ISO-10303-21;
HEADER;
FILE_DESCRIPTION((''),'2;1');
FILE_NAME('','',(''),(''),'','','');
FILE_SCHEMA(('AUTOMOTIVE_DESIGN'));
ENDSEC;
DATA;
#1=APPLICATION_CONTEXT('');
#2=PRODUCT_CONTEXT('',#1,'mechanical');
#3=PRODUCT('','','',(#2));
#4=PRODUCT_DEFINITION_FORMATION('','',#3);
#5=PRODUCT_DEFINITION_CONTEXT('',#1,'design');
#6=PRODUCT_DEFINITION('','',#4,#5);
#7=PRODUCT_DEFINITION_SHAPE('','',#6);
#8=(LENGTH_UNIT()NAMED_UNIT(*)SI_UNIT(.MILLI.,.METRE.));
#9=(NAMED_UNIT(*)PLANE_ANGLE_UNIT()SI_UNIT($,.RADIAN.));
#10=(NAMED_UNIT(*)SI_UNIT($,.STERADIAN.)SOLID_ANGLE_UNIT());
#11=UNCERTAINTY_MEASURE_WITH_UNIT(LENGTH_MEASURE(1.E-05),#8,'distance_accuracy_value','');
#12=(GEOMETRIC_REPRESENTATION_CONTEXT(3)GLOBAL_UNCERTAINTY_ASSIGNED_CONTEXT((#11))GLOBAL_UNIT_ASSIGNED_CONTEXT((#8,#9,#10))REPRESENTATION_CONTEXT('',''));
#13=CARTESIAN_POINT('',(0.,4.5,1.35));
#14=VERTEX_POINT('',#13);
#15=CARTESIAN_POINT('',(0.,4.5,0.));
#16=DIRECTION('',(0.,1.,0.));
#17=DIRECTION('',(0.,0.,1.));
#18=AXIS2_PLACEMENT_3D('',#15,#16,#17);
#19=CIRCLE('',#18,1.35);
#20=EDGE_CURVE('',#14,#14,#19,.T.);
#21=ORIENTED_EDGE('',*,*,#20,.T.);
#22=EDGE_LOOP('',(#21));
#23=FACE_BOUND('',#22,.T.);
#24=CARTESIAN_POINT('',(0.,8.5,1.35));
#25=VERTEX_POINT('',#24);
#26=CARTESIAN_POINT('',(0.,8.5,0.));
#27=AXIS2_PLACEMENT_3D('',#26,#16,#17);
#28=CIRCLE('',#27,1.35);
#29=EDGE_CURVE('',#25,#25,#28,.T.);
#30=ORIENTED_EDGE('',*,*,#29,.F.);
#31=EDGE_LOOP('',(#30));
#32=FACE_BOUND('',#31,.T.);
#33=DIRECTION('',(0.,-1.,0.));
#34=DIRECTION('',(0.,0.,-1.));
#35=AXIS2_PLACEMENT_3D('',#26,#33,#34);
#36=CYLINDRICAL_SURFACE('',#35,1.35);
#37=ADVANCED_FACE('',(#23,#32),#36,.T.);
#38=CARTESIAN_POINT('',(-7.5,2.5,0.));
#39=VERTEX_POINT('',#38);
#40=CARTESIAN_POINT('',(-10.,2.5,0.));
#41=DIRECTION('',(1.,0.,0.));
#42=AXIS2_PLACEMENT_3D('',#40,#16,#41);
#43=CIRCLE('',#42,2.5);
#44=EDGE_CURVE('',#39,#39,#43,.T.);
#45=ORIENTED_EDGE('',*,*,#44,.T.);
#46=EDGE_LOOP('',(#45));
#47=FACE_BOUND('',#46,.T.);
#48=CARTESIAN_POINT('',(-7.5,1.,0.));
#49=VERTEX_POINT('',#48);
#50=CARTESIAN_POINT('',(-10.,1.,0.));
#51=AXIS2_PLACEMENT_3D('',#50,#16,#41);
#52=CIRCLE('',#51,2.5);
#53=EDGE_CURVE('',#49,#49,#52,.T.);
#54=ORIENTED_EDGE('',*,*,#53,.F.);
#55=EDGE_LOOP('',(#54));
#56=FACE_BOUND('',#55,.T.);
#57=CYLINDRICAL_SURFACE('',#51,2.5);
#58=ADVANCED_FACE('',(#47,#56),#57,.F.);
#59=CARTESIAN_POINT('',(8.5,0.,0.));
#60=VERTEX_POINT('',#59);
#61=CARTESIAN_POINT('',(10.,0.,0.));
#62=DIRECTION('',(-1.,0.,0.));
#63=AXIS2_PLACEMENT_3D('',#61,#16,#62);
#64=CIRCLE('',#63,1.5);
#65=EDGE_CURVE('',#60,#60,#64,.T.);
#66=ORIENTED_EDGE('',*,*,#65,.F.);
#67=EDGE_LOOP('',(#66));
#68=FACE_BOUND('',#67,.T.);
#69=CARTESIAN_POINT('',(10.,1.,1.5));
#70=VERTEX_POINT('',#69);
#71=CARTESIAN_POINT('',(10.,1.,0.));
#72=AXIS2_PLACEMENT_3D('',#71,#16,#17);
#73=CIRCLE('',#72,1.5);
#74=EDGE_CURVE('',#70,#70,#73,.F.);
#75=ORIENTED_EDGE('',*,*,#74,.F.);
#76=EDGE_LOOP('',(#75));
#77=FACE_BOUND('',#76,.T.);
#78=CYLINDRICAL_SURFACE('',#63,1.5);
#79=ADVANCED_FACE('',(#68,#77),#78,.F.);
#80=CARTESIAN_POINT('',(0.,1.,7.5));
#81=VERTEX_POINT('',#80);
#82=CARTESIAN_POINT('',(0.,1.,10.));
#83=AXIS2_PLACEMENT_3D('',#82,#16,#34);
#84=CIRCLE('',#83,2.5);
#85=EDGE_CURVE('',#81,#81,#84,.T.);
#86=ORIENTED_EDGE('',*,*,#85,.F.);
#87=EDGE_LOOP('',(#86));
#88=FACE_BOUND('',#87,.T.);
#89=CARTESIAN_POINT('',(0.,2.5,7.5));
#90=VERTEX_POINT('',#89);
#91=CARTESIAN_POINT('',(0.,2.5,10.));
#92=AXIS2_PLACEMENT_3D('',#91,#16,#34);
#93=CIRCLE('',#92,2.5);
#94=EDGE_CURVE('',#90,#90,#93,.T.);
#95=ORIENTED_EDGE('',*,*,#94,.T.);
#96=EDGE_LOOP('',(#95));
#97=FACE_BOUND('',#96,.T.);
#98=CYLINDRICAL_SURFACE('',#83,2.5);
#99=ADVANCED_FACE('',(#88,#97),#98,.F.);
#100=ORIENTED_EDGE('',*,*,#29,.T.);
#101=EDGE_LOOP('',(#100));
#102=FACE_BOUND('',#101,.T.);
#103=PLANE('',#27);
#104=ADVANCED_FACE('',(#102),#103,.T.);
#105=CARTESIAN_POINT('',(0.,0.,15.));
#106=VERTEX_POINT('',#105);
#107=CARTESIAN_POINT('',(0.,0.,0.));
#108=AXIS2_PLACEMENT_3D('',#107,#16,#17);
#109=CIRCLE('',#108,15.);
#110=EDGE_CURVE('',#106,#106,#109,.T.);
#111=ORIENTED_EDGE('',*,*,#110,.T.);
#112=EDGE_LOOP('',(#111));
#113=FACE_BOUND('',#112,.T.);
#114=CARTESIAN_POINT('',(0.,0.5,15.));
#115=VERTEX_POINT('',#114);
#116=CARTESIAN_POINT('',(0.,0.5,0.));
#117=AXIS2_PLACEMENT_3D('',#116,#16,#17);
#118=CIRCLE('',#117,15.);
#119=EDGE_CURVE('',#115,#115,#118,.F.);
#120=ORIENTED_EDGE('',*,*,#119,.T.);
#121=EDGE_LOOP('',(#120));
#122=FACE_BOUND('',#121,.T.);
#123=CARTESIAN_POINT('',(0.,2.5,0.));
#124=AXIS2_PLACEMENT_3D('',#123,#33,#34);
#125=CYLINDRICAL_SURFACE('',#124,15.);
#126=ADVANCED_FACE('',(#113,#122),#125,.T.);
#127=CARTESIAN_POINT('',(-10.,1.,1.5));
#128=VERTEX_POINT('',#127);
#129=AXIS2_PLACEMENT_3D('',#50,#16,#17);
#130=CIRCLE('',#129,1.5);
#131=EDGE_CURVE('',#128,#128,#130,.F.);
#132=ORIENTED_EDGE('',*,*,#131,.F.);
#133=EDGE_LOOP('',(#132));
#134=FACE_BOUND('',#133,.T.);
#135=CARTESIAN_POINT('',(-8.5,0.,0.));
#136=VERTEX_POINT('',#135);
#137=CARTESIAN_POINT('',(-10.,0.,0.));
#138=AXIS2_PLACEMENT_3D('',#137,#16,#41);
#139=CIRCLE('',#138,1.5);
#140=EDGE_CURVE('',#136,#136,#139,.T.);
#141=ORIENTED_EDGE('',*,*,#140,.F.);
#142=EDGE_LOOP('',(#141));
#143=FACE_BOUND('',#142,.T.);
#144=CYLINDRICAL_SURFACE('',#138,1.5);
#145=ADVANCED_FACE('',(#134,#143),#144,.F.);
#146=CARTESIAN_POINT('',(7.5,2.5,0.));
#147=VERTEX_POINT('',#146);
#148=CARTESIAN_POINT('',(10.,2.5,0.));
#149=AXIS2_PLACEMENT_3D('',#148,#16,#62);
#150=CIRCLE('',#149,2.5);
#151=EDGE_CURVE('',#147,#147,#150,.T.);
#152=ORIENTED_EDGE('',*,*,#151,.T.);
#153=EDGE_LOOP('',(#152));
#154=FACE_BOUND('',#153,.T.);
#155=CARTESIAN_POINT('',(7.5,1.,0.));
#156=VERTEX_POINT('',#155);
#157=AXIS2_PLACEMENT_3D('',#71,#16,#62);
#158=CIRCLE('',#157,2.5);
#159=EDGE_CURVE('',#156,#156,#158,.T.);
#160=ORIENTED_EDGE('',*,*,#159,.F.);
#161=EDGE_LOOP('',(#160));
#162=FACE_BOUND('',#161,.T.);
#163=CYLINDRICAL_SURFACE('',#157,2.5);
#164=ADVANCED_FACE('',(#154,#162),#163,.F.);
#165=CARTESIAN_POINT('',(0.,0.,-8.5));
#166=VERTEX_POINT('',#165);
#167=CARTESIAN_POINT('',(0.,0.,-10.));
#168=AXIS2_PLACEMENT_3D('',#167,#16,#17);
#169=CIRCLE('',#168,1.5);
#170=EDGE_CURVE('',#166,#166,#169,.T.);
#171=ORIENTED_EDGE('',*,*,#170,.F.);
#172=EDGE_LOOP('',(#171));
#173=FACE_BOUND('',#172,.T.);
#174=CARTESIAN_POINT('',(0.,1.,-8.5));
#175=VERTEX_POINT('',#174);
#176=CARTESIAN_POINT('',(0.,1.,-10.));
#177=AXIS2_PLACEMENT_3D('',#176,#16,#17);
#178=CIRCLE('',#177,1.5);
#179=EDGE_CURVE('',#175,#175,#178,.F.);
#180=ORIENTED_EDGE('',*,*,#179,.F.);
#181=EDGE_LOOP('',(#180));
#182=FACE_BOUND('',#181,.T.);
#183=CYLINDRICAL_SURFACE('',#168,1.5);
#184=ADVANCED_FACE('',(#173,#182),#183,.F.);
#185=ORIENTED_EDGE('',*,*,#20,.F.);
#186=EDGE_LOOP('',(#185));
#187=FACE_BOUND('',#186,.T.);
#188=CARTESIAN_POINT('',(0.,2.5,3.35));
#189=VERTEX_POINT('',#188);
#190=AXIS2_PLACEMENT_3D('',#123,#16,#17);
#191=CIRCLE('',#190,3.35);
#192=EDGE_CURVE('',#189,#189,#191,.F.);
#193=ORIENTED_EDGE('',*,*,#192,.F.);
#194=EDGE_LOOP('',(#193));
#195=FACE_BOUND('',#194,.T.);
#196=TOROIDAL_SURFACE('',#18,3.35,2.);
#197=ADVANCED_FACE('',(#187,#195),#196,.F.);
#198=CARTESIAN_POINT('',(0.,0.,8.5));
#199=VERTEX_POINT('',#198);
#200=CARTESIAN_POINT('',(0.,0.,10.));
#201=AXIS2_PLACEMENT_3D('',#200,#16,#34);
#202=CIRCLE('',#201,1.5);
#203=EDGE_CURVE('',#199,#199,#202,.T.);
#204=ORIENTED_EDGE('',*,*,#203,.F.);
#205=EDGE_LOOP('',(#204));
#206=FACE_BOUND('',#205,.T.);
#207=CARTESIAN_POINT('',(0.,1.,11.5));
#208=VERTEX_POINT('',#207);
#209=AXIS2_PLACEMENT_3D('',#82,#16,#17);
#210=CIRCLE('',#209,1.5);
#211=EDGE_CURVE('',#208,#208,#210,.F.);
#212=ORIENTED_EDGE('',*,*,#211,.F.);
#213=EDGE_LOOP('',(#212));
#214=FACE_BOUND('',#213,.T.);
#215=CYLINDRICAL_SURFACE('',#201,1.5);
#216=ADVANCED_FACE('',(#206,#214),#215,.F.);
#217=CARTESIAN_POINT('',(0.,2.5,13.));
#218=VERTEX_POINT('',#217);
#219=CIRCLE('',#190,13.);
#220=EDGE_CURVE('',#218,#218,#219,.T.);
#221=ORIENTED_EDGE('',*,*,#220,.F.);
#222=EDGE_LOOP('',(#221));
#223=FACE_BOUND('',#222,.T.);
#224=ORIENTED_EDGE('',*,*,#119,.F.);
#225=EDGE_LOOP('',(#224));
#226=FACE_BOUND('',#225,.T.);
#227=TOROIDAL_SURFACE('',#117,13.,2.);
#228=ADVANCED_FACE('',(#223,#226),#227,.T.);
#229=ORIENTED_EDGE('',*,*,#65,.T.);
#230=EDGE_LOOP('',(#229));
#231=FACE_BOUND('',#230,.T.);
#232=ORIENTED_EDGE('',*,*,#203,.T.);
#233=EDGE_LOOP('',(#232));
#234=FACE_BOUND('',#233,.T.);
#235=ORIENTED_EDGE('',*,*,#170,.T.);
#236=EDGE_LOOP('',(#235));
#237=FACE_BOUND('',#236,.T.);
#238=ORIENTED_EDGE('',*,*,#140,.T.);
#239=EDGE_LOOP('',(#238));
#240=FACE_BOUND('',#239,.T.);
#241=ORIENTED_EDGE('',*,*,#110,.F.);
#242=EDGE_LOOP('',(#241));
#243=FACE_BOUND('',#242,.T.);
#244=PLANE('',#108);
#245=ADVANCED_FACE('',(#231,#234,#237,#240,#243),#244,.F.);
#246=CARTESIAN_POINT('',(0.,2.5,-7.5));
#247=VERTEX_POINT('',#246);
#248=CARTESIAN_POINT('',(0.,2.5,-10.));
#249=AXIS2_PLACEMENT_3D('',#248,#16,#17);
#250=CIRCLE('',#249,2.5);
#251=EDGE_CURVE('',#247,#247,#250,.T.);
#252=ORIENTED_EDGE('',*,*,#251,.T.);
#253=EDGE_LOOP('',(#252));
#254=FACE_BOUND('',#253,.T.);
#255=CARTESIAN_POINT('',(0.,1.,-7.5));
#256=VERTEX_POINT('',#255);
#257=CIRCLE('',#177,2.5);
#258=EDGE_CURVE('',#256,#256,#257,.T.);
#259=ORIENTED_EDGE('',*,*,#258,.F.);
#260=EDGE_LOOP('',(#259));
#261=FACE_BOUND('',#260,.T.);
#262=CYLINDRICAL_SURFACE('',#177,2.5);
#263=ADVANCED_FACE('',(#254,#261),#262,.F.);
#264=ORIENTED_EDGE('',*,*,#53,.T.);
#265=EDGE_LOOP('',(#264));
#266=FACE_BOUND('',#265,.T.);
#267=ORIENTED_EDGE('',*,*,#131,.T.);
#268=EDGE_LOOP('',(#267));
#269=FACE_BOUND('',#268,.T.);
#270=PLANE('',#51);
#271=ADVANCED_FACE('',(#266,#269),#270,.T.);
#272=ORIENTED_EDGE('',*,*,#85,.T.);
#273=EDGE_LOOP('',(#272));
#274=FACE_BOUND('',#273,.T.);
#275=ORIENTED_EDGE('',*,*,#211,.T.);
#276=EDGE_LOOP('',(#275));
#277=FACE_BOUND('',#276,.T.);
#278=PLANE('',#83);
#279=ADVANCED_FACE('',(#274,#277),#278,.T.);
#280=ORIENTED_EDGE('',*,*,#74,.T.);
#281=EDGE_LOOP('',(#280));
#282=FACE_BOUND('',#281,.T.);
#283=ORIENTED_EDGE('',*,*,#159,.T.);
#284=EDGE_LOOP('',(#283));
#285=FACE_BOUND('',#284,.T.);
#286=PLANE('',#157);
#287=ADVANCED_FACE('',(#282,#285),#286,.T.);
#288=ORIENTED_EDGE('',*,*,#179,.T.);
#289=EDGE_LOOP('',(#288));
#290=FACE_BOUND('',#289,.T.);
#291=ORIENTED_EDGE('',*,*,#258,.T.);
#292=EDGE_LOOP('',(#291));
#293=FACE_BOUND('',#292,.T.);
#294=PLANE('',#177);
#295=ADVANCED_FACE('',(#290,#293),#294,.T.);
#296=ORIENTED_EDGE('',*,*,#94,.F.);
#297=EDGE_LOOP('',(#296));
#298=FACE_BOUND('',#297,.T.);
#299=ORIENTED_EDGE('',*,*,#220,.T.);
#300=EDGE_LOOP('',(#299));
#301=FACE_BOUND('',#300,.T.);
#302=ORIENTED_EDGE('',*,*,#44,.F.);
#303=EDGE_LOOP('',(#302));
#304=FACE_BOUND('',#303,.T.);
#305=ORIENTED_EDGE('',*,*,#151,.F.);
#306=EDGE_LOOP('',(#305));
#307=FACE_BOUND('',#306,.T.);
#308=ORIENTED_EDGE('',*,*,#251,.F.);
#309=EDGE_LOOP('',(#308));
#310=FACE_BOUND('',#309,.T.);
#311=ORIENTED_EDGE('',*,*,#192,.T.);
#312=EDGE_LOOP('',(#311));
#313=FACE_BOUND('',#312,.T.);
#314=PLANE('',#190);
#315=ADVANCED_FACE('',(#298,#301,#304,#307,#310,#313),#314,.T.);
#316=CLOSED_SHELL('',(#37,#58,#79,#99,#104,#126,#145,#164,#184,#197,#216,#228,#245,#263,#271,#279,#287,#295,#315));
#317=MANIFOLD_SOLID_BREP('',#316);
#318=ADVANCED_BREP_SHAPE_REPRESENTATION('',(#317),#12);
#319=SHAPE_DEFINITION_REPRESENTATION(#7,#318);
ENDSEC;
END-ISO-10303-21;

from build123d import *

# Parameters (mm, degrees)
SKETCH1_R           = 15
BOSS_EXTRUDE1_DEPTH = 2.5
SKETCH2_R           = 1.5
CUT_EXTRUDE1_DEPTH  = 3.5
SKETCH4_R           = 2.5
CUT_EXTRUDE2_DEPTH  = 1.5
CIRPATTERN1_COUNT   = 4
SKETCH3_R           = 1.35
BOSS_EXTRUDE2_DEPTH = 6
FILLET2_R           = 2
FILLET3_R           = 2


with BuildPart() as part:
    # Sketch1 → Boss-Extrude1 (new body)
    with BuildSketch(Plane(origin=(0, 0, 0), x_dir=(1, 0, 0), z_dir=(0, 1, 0))):
        Circle(SKETCH1_R)
    extrude(amount=BOSS_EXTRUDE1_DEPTH)

    # Sketch2 → Cut-Extrude1 (cut, through all)
    with BuildSketch(Plane(origin=(0, 2.5, 0), x_dir=(1, 0, 0), z_dir=(0, 1, 0))):
        with Locations((0, 10)):
            Circle(SKETCH2_R)
    cut_extrude1 = extrude(amount=-CUT_EXTRUDE1_DEPTH, mode=Mode.SUBTRACT)

    # Sketch4 → Cut-Extrude2 (cut)
    with BuildSketch(Plane(origin=(0, 2.5, 0), x_dir=(1, 0, 0), z_dir=(0, 1, 0))):
        with Locations((0, 10)):
            Circle(SKETCH4_R)
    cut_extrude2 = extrude(amount=-CUT_EXTRUDE2_DEPTH, mode=Mode.SUBTRACT)

    # CirPattern1: Cut-Extrude1, Cut-Extrude2 ×4 about axis
    cirpattern1_axis = Axis((0, 0, 0), (0, 1, 0))
    for i in range(1, CIRPATTERN1_COUNT):
        add(cut_extrude1.rotate(cirpattern1_axis, i * 360 / CIRPATTERN1_COUNT), mode=Mode.SUBTRACT)
        add(cut_extrude2.rotate(cirpattern1_axis, i * 360 / CIRPATTERN1_COUNT), mode=Mode.SUBTRACT)

    # Sketch3 → Boss-Extrude2 (add)
    with BuildSketch(Plane(origin=(0, 2.5, 0), x_dir=(1, 0, 0), z_dir=(0, 1, 0))):
        Circle(SKETCH3_R)
    extrude(amount=BOSS_EXTRUDE2_DEPTH)

    # Fillet2
    fillet2_edges = [part.edges().sort_by_distance(p)[0] for p in [
        (-1.35, 2.5, 0),
    ]]
    fillet(fillet2_edges, radius=FILLET2_R)

    # Fillet3
    fillet3_edges = [part.edges().sort_by_distance(p)[0] for p in [
        (-15, 2.5, 0),
    ]]
    fillet(fillet3_edges, radius=FILLET3_R)


solid = part.part
